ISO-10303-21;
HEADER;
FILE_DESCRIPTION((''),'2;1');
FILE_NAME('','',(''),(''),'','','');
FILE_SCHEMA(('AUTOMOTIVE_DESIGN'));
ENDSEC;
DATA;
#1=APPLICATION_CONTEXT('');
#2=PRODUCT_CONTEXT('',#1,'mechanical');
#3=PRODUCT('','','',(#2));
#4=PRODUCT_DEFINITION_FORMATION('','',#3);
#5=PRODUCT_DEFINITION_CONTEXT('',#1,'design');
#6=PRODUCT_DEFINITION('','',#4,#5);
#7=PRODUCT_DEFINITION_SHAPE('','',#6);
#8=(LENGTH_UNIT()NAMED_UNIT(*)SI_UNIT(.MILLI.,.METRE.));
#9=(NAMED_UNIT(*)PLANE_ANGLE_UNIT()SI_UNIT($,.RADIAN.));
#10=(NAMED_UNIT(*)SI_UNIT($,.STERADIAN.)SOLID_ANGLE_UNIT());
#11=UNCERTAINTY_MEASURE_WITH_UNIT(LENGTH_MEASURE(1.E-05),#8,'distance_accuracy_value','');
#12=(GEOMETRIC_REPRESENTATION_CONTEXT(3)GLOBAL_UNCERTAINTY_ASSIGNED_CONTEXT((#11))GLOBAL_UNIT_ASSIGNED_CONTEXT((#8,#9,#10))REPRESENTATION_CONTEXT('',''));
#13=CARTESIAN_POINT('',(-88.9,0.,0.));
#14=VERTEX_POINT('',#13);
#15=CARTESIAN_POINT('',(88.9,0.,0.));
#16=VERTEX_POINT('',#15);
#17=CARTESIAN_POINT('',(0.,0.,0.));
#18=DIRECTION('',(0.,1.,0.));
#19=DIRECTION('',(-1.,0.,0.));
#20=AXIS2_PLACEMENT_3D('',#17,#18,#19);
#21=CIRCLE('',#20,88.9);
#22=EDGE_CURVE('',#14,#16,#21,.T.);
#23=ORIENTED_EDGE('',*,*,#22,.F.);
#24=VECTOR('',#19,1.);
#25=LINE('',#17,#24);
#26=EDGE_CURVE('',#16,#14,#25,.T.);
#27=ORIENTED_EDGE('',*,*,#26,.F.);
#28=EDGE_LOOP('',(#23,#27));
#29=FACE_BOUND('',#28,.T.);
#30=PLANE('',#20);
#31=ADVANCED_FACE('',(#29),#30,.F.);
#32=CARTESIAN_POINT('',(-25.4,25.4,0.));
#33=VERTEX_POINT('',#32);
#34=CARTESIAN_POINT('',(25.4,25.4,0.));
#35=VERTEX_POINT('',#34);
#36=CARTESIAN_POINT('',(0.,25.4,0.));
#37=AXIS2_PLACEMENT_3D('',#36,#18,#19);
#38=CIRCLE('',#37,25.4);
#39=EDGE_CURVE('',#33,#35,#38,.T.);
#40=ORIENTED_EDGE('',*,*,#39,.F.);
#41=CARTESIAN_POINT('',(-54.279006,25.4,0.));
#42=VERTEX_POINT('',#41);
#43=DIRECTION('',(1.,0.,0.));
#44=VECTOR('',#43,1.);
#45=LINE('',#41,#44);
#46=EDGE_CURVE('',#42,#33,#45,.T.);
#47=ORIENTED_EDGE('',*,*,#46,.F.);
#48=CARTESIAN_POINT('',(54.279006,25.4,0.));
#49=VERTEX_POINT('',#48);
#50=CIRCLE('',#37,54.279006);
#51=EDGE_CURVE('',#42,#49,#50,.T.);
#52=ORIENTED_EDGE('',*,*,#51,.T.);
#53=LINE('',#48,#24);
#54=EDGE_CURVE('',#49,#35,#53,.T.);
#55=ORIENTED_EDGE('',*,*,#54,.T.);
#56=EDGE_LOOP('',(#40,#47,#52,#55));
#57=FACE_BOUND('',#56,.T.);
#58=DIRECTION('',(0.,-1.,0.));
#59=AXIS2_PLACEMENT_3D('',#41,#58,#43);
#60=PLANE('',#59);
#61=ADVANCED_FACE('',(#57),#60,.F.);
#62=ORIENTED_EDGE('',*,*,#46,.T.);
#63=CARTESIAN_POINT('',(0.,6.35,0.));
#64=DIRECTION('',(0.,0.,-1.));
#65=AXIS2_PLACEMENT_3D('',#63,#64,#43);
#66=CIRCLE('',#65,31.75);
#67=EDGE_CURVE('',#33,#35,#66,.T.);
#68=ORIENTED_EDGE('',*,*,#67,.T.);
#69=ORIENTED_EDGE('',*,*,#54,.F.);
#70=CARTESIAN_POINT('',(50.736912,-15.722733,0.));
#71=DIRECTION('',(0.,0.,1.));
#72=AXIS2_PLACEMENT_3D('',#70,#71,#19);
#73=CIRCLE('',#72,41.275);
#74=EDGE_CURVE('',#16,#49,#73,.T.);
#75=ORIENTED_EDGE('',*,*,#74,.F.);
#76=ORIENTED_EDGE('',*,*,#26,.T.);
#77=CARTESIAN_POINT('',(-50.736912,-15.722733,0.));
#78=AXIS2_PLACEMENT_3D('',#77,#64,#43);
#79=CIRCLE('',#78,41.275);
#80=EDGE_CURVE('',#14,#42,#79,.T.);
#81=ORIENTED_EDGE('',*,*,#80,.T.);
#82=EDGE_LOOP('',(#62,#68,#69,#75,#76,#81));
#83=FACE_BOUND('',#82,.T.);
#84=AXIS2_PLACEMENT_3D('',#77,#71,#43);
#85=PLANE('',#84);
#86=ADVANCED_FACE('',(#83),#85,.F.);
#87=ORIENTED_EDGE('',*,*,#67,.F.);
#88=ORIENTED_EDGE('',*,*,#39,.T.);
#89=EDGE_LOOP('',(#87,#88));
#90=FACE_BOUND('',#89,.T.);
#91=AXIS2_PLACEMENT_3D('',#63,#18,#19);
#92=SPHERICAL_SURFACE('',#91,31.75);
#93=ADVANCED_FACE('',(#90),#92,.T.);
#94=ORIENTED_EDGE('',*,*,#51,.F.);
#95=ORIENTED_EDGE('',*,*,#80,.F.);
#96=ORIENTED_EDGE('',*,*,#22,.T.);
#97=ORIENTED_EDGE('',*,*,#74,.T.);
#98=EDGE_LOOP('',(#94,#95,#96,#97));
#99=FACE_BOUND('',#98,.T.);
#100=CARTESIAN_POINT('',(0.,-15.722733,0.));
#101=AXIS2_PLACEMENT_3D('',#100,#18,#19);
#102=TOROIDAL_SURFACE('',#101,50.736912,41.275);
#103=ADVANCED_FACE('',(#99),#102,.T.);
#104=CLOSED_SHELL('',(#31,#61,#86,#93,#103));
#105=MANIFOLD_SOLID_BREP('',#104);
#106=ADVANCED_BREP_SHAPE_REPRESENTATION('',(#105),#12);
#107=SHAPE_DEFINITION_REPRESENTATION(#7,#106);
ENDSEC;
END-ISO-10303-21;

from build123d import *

# Parameters (mm, degrees)
REVOLVE1_ANGLE = 180


with BuildPart() as part:
    # Sketch1 → Revolve1 (revolve)
    with BuildSketch(Plane.XY):
        with BuildLine():
            Line((0, 0), (88.9, 0))
            ThreePointArc((88.9, 0), (75.152492306, 17.556465407), (54.279006481, 25.4))
            Line((54.279006481, 25.4), (25.4, 25.4))
            ThreePointArc((25.4, 25.4), (14.199031657, 34.748063314), (0, 38.1))
            Line((0, 38.1), (0, 0))
        make_face()
    revolve(axis=Axis((0, 38.1, 0), (0, -1, 0)), revolution_arc=REVOLVE1_ANGLE)


solid = part.part
